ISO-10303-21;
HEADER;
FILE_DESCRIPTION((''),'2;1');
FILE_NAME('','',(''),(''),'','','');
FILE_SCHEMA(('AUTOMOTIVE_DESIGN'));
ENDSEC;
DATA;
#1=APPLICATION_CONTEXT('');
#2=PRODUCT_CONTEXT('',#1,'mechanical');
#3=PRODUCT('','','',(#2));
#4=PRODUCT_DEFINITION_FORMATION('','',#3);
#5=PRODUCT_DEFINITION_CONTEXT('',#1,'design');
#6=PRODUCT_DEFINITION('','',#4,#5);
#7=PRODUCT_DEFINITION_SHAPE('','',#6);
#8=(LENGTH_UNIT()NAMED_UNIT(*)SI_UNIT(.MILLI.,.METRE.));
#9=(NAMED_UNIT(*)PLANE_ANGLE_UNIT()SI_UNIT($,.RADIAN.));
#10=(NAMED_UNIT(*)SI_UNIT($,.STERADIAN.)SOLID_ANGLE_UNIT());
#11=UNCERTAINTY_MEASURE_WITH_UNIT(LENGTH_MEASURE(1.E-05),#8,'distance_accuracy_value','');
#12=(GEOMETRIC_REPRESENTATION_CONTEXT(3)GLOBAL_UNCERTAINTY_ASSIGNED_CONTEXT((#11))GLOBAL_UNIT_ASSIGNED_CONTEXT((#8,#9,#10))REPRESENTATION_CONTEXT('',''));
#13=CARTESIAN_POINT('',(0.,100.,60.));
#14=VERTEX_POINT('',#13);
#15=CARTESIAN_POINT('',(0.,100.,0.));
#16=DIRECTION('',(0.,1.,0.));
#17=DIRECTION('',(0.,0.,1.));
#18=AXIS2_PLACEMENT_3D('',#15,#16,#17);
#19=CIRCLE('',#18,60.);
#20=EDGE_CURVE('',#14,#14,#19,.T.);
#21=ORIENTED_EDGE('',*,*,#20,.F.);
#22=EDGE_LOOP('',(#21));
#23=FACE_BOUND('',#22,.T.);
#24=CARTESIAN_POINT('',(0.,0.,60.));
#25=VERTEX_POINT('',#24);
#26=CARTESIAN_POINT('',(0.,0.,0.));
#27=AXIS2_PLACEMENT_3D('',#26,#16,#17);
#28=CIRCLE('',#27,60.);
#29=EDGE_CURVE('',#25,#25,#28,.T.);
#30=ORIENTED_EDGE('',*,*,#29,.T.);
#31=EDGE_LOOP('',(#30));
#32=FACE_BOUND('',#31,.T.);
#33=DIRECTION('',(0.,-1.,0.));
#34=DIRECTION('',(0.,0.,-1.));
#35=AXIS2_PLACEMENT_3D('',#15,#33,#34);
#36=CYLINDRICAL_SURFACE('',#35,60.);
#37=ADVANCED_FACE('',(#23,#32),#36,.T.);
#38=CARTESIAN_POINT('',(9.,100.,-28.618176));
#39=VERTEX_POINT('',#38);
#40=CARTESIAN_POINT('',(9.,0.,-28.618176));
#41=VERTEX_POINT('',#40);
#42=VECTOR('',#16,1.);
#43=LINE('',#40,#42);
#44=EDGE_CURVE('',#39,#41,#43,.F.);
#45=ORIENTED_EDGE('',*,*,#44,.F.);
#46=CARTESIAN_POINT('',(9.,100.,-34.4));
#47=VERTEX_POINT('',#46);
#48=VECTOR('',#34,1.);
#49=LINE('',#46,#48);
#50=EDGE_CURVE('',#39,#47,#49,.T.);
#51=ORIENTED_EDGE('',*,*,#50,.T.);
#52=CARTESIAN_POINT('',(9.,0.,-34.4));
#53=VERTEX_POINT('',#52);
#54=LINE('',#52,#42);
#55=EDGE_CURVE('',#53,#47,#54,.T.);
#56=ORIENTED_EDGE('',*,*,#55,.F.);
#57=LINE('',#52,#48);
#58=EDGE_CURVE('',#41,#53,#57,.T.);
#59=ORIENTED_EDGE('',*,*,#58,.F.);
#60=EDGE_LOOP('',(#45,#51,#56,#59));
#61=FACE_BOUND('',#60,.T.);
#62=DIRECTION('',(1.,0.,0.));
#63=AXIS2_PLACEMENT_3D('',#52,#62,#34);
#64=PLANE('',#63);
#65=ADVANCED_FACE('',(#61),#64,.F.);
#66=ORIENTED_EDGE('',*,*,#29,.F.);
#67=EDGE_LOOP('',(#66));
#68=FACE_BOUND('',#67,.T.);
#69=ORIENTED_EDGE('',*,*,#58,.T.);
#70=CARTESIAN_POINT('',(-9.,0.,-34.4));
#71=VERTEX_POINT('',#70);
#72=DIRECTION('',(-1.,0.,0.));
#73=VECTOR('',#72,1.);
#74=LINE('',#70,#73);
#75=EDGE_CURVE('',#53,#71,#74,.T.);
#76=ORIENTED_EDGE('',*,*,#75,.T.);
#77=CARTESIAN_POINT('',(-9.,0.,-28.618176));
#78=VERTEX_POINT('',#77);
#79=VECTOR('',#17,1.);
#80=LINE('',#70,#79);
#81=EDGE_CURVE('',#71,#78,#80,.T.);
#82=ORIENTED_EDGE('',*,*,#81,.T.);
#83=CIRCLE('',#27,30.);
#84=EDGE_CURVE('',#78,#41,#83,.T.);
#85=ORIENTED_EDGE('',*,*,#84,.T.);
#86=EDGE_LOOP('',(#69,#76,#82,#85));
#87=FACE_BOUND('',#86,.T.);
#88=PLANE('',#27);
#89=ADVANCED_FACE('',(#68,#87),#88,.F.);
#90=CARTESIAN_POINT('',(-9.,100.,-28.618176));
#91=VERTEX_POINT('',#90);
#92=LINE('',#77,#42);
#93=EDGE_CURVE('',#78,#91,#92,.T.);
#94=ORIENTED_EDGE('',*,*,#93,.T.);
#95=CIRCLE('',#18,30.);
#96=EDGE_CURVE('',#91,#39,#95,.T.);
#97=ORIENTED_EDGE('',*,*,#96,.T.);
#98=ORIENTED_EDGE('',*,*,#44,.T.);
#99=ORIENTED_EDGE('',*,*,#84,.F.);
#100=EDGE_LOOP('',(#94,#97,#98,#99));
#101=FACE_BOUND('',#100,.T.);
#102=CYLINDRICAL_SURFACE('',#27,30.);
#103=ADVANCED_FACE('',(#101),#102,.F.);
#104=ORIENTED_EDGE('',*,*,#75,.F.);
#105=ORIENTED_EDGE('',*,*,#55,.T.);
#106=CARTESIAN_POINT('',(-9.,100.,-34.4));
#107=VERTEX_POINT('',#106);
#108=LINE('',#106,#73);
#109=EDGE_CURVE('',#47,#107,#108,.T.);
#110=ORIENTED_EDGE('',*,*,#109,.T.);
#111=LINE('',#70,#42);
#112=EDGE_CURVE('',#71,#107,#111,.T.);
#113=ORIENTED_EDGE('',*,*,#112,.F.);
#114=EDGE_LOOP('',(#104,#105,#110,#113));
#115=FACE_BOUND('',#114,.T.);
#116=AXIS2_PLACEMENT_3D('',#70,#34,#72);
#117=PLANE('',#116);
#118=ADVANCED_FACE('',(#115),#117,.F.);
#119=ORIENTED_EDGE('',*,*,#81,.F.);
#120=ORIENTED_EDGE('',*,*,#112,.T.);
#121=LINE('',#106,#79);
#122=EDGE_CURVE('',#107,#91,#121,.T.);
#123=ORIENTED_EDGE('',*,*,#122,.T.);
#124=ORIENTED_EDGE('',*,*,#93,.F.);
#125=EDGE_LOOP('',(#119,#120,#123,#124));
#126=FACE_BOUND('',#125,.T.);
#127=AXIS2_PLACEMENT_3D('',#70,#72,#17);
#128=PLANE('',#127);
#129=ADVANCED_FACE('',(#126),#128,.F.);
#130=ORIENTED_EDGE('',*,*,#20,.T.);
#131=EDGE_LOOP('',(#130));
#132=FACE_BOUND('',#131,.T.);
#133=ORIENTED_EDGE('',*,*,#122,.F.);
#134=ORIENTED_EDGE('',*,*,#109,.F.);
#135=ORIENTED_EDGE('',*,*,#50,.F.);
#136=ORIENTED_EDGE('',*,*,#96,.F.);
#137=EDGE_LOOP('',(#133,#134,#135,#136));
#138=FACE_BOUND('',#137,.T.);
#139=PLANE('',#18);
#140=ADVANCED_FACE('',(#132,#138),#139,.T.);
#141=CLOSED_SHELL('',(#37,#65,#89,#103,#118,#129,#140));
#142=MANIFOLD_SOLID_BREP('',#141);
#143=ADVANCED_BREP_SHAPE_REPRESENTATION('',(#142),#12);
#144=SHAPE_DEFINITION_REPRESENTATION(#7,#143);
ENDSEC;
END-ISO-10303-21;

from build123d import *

# Parameters (mm, degrees)
SKETCH2_R           = 60
BOSS_EXTRUDE1_DEPTH = 100
SKETCH3_R           = 30
CUT_EXTRUDE1_DEPTH  = 132.148770486
SKETCH4_W           = 18
SKETCH4_H           = 11
CUT_EXTRUDE2_DEPTH  = 132.148770486


with BuildPart() as part:
    # Sketch2 → Boss-Extrude1 (new body)
    with BuildSketch(Plane(origin=(0, 0, 0), x_dir=(1, 0, 0), z_dir=(0, 1, 0))):
        with Locations(Location((0, 0, 0), (0, 0, 270))):
            Circle(SKETCH2_R)
    extrude(amount=BOSS_EXTRUDE1_DEPTH)

    # Sketch3 → Cut-Extrude1 (cut, through all)
    with BuildSketch(Plane(origin=(0, 100, 0), x_dir=(1, 0, 0), z_dir=(0, 1, 0))):
        with Locations(Location((0, 0, 0), (0, 0, 270))):
            Circle(SKETCH3_R)
    extrude(amount=-CUT_EXTRUDE1_DEPTH, mode=Mode.SUBTRACT)

    # Sketch4 → Cut-Extrude2 (cut, through all)
    with BuildSketch(Plane(origin=(0, 100, 0), x_dir=(1, 0, 0), z_dir=(0, 1, 0))):
        with Locations((0, 28.9)):
            Rectangle(SKETCH4_W, SKETCH4_H)
    extrude(amount=-CUT_EXTRUDE2_DEPTH, mode=Mode.SUBTRACT)


solid = part.part
